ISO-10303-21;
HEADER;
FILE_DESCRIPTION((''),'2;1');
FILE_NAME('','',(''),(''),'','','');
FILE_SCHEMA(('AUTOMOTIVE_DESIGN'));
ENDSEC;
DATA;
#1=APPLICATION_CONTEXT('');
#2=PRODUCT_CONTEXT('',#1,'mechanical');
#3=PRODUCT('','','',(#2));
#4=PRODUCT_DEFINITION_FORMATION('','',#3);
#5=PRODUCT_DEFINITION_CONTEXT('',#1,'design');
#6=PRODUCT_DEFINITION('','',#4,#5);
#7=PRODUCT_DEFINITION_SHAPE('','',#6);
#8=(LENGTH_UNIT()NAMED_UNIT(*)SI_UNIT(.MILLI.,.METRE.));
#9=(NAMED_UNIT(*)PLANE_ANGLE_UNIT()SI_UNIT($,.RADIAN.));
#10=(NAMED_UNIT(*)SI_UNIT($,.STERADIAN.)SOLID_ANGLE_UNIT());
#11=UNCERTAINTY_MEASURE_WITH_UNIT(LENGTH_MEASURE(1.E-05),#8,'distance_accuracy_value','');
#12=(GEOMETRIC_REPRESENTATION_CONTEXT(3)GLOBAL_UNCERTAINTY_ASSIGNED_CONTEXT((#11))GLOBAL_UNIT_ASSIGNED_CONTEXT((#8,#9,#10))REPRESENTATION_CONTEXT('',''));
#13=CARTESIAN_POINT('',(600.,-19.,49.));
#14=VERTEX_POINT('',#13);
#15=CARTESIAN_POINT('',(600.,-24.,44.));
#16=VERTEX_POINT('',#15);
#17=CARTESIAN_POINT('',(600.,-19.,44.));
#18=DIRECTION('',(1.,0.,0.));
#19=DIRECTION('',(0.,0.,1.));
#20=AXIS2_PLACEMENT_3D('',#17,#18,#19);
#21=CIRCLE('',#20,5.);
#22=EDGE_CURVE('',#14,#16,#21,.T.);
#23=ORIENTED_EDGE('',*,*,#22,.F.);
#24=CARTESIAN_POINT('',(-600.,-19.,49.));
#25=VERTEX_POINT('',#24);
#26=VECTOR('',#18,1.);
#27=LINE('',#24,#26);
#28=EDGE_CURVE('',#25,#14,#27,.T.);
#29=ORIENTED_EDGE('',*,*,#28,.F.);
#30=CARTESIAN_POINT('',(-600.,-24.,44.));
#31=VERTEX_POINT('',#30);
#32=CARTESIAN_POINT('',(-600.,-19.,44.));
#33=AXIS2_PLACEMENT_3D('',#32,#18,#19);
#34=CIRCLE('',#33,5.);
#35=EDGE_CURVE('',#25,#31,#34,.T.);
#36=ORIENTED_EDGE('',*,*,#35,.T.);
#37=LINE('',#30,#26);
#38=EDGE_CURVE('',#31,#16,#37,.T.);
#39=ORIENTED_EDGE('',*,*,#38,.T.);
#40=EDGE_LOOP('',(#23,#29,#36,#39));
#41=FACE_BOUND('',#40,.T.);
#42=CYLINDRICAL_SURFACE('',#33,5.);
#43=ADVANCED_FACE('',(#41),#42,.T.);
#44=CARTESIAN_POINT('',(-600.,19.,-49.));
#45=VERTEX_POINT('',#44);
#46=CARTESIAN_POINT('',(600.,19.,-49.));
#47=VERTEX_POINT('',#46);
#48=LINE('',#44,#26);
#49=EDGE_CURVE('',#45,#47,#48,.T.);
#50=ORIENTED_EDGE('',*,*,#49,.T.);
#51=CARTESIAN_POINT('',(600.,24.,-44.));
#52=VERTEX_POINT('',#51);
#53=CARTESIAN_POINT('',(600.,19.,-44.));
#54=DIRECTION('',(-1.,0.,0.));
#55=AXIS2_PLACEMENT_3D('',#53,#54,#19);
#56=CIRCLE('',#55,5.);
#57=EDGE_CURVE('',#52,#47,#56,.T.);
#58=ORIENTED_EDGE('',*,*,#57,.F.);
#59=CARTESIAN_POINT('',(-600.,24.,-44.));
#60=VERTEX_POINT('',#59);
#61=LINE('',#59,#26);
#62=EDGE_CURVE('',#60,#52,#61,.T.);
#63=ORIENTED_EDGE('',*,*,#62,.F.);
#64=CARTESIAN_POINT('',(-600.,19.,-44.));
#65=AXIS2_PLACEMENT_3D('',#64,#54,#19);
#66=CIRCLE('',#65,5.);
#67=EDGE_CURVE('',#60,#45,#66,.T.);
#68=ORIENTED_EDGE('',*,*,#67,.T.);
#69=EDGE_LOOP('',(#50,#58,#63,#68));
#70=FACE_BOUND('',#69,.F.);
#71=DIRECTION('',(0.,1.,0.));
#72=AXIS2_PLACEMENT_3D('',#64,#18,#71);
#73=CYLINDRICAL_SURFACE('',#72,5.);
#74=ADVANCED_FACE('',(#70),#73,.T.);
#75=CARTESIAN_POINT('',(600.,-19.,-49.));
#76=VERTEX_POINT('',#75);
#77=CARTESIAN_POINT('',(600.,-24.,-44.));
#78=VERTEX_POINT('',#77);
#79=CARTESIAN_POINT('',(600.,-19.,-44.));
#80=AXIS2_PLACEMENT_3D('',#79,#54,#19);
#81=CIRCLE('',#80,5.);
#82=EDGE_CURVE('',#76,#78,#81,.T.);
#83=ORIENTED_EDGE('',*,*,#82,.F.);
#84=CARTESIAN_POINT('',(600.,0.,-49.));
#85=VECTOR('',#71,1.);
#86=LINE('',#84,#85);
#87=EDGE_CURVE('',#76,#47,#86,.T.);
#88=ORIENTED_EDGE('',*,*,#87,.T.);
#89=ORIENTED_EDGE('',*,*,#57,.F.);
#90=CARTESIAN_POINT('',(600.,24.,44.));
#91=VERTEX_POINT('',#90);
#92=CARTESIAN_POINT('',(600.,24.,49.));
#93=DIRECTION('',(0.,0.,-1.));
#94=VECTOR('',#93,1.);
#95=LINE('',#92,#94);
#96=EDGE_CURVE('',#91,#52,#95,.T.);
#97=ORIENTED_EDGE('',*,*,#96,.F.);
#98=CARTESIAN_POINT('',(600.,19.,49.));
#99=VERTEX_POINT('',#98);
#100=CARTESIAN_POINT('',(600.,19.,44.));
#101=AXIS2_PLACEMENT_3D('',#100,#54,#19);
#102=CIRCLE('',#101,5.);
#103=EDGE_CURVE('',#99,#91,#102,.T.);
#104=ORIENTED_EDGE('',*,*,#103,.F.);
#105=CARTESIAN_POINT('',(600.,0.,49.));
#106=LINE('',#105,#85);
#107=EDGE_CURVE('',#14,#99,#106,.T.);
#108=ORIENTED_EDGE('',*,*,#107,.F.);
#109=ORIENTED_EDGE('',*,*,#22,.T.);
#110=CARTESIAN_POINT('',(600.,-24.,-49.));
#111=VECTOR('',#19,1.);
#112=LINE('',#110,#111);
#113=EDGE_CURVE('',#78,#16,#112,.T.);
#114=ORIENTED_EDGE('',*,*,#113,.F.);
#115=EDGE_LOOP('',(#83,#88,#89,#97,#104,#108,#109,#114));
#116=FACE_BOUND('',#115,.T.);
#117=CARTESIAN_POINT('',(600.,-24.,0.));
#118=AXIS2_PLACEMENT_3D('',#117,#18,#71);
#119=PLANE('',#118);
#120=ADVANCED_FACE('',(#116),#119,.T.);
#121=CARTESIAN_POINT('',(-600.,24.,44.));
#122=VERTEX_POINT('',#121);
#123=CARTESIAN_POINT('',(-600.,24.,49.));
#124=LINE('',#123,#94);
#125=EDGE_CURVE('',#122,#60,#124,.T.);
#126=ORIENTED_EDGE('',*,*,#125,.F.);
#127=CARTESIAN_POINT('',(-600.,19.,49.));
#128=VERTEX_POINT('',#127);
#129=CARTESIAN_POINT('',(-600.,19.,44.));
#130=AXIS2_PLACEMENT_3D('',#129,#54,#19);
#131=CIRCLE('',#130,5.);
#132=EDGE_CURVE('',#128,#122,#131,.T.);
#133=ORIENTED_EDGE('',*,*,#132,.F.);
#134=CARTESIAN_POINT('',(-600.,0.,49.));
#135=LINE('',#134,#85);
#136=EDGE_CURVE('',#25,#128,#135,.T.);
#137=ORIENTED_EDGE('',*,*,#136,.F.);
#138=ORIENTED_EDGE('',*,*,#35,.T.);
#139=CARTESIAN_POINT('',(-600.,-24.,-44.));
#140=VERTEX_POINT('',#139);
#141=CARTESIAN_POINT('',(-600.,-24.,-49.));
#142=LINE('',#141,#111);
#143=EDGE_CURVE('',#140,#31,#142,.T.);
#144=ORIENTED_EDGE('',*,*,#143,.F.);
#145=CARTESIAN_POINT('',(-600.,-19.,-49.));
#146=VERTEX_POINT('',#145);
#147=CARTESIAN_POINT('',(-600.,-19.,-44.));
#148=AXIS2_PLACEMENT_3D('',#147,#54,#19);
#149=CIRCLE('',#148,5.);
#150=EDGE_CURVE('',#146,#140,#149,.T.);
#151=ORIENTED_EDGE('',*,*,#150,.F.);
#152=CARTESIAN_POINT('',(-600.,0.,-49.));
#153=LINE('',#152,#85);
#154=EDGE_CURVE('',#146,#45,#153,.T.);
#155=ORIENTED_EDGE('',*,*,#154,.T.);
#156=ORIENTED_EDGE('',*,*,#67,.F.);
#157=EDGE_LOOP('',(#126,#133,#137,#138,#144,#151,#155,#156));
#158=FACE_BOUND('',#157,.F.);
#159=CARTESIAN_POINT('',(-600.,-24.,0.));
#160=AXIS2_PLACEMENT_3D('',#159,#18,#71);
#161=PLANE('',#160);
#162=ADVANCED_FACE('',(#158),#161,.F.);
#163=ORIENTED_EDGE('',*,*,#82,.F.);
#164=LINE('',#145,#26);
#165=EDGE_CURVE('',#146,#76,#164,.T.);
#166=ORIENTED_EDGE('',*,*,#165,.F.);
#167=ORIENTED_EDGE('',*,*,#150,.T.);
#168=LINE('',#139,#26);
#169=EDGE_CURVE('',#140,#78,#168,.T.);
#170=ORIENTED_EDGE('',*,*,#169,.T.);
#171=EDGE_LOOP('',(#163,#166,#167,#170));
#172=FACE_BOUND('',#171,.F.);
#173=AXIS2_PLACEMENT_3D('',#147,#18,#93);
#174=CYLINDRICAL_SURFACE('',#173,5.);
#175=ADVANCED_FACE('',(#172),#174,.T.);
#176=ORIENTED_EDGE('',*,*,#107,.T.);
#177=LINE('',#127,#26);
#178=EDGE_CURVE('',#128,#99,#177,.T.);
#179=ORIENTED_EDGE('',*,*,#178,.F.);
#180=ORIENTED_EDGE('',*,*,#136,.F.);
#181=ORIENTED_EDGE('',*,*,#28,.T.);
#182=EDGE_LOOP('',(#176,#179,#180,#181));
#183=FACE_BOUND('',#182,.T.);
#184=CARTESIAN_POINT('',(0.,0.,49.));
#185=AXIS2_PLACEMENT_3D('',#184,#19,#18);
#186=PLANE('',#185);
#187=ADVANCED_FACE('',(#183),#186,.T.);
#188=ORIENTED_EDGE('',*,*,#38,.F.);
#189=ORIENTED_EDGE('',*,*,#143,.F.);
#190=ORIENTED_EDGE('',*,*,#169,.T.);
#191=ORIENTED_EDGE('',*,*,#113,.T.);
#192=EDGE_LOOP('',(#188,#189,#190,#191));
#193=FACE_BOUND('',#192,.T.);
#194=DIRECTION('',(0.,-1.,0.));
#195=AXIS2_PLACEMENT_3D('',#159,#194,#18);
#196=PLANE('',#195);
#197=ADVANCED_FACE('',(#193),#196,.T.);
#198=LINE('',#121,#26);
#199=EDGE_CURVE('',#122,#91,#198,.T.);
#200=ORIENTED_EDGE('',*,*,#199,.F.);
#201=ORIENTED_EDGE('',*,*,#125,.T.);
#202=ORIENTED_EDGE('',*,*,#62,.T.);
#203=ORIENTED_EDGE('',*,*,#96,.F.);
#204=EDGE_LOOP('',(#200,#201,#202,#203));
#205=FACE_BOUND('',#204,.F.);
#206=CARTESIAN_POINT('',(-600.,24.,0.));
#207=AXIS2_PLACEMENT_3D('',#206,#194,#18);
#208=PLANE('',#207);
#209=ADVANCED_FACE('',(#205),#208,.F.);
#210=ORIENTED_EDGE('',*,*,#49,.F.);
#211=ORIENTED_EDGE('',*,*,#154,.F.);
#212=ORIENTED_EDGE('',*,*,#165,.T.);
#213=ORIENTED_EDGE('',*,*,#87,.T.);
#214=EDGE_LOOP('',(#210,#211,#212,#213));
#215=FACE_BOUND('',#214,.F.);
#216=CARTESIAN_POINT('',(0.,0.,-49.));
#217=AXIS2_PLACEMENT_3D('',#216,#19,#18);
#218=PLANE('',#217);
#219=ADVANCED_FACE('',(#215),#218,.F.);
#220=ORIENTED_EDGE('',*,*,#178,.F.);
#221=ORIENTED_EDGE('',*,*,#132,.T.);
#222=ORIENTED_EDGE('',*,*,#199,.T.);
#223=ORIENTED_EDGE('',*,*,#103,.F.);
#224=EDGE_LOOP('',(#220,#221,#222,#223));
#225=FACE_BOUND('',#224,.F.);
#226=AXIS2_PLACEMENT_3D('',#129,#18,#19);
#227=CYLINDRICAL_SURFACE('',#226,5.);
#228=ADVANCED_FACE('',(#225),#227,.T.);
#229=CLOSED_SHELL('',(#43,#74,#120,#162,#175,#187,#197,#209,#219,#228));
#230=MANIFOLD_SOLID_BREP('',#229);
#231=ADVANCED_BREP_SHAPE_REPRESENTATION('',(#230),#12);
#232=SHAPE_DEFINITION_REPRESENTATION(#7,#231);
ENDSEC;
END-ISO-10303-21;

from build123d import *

# Parameters (mm, degrees)
F0_W     = 1200
F0_H     = 48
F1_DEPTH = 49
F2_R     = 5


with BuildPart() as f1:
    # F0 (on Top) → F1 (new body, symmetric)
    with BuildSketch(Plane.XY):
        Rectangle(F0_W, F0_H)
    extrude(amount=F1_DEPTH, both=True)

    # F2
    f2_edges = [f1.edges().sort_by_distance(p)[0] for p in [
        (0, -24, 49),
        (0, 24, 49),
        (0, -24, -49),
        (0, 24, -49),
    ]]
    fillet(f2_edges, radius=F2_R)


solid = f1.part
